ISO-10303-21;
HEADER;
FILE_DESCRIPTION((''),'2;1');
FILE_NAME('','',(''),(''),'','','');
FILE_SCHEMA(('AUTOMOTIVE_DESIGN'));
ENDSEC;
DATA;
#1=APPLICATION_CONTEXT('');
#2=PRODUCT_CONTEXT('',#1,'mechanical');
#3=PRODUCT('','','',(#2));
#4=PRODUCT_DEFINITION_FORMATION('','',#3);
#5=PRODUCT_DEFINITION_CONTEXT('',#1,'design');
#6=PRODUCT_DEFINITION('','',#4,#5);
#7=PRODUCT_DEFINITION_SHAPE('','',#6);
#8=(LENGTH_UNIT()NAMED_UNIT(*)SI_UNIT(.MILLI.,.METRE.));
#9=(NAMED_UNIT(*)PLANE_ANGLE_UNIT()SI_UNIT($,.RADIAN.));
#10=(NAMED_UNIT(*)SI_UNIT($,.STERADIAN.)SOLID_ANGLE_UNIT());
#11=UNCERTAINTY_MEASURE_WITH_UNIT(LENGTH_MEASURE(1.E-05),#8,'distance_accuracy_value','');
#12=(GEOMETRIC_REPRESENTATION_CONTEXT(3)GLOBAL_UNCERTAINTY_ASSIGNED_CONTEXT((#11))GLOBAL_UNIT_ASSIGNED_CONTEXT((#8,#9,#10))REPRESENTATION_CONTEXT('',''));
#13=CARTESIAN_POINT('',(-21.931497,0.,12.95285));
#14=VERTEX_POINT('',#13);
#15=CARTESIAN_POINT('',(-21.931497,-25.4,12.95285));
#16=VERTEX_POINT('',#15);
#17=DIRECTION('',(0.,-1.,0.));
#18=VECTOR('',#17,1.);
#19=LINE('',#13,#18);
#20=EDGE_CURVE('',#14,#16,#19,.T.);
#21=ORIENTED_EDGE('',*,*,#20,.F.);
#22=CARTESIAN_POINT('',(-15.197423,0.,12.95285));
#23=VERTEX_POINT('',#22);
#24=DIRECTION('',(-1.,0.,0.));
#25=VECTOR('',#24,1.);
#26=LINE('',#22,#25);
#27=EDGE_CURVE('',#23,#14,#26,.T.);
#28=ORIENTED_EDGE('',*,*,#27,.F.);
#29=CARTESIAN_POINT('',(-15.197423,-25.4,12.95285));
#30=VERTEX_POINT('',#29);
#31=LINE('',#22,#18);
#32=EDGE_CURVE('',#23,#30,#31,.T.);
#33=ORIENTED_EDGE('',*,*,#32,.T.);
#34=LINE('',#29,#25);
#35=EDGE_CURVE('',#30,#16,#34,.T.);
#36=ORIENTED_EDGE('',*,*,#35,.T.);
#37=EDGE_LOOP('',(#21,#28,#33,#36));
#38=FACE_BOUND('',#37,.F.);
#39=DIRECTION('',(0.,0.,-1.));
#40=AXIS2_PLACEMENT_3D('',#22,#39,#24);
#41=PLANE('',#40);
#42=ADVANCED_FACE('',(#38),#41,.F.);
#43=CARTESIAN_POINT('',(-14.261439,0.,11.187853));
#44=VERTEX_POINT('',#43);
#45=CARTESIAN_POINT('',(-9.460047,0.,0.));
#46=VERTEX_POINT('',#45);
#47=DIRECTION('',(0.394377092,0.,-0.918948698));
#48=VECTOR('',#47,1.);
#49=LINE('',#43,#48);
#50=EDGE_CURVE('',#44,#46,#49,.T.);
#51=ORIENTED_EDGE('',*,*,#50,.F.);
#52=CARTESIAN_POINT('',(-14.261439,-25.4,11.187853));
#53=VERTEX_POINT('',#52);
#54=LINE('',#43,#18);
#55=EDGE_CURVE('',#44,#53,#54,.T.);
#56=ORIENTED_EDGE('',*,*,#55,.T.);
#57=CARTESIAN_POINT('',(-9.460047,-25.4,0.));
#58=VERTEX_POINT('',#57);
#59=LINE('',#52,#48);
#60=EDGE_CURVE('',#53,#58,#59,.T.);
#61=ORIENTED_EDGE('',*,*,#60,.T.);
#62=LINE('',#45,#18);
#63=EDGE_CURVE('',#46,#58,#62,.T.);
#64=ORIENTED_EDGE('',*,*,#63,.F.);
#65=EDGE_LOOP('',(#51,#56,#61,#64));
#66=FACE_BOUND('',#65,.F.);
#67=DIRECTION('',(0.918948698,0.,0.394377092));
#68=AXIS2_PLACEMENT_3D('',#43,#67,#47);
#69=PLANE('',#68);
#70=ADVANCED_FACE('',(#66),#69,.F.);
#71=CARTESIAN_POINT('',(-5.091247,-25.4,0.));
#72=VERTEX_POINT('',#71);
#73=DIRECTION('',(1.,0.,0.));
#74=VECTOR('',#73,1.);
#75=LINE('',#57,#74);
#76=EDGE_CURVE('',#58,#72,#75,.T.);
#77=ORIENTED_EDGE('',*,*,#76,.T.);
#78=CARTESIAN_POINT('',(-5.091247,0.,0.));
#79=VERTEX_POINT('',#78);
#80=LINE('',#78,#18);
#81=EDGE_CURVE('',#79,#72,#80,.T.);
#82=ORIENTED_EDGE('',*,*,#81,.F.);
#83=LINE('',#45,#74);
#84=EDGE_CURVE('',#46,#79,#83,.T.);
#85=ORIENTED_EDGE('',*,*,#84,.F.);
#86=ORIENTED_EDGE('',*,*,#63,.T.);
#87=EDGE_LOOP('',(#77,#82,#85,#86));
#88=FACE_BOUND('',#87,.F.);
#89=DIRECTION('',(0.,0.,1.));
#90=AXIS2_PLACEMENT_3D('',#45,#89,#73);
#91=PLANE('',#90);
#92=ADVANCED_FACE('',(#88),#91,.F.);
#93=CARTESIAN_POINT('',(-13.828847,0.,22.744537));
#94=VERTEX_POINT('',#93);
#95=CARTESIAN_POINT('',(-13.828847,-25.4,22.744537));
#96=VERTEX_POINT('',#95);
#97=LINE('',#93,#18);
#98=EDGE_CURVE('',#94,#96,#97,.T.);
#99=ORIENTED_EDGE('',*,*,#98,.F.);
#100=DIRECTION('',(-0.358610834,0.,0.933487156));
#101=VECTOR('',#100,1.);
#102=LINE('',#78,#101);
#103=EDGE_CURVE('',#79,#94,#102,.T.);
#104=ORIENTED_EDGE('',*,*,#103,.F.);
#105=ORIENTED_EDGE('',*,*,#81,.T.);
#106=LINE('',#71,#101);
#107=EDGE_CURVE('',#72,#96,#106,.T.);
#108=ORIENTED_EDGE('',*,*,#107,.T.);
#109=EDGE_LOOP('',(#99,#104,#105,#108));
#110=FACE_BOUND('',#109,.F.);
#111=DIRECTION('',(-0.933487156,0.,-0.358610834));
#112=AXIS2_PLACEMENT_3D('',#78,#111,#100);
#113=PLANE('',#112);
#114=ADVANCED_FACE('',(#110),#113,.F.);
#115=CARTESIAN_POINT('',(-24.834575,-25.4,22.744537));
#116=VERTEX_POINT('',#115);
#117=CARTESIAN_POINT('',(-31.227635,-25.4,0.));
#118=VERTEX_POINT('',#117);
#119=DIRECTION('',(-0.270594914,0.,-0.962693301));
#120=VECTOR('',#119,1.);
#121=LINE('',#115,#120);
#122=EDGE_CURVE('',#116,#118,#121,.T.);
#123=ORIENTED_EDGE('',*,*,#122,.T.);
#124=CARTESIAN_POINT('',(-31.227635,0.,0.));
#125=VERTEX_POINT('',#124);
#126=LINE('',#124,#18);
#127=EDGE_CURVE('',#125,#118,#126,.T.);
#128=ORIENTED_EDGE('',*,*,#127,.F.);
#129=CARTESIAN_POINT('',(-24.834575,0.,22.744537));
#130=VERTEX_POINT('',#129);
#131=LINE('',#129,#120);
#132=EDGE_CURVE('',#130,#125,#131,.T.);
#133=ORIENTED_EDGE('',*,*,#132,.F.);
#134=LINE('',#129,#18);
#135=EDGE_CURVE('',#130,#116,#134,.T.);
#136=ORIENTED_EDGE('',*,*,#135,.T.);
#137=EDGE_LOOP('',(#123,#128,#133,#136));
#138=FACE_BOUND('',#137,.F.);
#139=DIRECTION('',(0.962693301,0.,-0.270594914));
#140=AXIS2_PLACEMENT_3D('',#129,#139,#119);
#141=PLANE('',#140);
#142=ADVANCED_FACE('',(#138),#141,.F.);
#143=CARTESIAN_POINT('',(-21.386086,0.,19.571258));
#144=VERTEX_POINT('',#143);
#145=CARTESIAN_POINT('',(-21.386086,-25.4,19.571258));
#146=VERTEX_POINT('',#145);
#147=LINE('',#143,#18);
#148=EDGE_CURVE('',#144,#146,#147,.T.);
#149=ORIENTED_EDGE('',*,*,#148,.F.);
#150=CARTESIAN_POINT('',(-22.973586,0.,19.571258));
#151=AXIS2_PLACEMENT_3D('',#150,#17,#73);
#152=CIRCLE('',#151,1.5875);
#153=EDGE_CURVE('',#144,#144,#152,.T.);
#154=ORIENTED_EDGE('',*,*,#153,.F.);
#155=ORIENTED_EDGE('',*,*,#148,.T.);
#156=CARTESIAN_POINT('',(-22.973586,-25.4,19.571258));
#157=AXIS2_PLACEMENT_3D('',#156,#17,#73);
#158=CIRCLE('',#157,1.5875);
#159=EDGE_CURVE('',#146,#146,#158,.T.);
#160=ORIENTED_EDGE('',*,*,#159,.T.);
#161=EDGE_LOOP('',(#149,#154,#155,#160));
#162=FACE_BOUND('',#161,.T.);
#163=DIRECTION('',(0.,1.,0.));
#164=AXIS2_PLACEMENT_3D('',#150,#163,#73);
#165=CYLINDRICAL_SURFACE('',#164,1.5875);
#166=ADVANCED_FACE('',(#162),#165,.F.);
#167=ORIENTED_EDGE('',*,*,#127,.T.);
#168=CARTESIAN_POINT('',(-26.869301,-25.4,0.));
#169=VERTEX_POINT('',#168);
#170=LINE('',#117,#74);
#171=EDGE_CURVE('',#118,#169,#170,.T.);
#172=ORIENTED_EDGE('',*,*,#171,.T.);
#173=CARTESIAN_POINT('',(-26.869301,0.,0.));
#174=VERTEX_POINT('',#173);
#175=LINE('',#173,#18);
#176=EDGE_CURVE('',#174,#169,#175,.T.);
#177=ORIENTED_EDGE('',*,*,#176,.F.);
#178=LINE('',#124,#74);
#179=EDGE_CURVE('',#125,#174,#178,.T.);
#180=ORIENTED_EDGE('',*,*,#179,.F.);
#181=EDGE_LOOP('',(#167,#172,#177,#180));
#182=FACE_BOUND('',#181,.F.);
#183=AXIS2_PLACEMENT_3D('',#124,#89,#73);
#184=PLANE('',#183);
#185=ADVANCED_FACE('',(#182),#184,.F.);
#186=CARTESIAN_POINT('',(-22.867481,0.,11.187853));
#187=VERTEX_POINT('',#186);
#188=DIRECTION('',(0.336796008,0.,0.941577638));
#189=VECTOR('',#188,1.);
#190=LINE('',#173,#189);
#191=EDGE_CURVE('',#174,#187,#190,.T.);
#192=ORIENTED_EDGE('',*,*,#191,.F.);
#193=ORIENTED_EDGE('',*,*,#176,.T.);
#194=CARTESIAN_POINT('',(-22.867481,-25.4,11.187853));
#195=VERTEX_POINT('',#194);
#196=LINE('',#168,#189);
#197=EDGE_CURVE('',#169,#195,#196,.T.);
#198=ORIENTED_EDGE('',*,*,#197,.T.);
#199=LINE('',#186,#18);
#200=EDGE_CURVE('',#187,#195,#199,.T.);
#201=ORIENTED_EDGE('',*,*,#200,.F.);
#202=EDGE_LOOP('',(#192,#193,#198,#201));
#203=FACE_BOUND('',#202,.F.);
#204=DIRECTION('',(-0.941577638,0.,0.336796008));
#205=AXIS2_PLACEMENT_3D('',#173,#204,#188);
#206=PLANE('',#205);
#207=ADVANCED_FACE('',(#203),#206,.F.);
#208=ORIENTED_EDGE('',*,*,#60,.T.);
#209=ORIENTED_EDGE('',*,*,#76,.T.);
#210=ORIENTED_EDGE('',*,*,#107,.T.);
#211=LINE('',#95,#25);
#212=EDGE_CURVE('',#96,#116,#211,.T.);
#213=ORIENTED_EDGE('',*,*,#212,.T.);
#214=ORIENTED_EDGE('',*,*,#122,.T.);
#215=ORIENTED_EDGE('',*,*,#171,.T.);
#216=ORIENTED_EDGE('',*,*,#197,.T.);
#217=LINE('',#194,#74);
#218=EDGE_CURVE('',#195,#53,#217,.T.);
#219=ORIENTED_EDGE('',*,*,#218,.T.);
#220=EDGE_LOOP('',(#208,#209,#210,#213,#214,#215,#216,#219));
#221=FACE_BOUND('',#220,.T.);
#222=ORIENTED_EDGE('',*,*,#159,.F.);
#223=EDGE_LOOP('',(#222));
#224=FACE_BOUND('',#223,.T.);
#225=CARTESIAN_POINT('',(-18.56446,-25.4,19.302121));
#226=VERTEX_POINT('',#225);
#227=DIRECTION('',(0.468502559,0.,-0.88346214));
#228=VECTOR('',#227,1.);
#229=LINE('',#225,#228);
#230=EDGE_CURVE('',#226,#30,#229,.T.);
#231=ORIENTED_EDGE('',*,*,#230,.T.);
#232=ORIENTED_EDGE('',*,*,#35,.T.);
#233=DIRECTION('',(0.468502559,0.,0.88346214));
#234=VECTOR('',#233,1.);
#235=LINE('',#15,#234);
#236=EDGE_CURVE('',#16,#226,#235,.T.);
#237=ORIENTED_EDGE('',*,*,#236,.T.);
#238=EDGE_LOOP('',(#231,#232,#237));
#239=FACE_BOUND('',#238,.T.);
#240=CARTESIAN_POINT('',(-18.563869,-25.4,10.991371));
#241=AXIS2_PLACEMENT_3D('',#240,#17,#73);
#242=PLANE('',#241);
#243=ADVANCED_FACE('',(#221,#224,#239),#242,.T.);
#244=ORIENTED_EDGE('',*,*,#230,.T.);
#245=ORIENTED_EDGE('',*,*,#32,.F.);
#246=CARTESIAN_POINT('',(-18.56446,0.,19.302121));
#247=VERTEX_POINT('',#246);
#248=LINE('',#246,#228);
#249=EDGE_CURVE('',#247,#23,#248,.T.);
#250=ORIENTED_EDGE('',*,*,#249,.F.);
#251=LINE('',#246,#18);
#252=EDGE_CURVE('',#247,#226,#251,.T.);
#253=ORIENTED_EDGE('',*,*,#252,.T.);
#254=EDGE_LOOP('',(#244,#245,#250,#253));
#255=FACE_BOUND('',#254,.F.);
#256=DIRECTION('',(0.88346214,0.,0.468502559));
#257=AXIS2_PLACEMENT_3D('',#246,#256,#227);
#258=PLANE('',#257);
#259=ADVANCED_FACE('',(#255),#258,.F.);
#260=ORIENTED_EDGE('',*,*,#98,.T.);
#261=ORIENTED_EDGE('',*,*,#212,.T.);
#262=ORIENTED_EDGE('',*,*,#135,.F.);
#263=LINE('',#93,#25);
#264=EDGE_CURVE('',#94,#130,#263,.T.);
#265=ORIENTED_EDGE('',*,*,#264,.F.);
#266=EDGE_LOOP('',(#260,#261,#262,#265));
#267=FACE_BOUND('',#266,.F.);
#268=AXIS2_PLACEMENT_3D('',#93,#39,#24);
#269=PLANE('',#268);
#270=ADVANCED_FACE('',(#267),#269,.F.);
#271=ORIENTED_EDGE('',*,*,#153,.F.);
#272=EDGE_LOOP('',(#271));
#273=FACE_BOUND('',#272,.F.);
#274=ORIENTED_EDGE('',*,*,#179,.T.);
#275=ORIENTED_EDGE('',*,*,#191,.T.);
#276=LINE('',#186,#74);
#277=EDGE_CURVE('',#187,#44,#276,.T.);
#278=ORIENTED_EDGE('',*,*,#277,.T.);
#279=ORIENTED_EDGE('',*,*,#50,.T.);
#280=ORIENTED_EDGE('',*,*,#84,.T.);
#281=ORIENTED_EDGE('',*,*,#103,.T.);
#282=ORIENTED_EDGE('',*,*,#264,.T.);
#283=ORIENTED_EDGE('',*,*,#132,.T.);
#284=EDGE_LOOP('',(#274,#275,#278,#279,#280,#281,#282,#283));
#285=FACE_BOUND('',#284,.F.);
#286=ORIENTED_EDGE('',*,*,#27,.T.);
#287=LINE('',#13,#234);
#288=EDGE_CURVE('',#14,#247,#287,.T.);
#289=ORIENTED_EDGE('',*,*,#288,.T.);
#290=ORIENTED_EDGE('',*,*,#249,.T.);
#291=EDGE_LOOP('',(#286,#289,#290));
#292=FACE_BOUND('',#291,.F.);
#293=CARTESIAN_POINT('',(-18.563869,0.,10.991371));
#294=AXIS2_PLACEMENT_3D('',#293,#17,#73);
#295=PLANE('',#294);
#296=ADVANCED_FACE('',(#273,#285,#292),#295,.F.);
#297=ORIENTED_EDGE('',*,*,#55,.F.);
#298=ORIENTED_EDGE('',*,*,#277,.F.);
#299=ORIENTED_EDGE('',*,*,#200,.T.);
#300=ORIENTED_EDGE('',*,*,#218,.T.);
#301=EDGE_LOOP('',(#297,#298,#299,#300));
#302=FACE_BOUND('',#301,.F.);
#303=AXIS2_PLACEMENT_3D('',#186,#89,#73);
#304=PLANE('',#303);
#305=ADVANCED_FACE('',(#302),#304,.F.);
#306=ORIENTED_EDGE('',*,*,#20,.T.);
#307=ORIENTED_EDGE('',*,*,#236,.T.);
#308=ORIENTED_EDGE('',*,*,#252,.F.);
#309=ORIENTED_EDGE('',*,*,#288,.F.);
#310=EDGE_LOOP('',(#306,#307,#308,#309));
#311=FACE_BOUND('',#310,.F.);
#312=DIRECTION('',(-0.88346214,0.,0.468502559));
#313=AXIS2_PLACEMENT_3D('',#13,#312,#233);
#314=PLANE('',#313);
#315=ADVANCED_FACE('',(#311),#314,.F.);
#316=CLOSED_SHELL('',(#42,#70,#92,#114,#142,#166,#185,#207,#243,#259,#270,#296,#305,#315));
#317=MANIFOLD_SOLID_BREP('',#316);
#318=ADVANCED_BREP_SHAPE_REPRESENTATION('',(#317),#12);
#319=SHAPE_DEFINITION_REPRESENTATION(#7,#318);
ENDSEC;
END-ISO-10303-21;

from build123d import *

# Parameters (mm, degrees)
F0_R     = 1.5875
F1_DEPTH = 25.4
F2_DEPTH = 25.4


with BuildPart() as f1:
    # F0 (on Front) → F1 (new body)
    with BuildSketch(Plane.XZ):
        Polygon((-5.091247, 0), (-13.828847, 22.744537), (-24.834575, 22.744537), (-31.227635, 0), (-26.869301, 0), (-22.867481, 11.187853), (-21.931497, 12.95285), (-18.56446, 19.302121), (-15.197423, 12.95285), (-14.261439, 11.187853), (-9.460047, 0), align=None)
        with Locations((-22.973586, 19.571258)):
            Circle(F0_R, mode=Mode.SUBTRACT)
        Polygon((-22.867481, 11.187853), (-14.261439, 11.187853), (-15.197423, 12.95285), (-21.931497, 12.95285), align=None)
    extrude(amount=F1_DEPTH)

    # F0 (on Front) → F2 (cut)
    with BuildSketch(Plane.XZ):
        Polygon((-5.091247, 0), (-13.828847, 22.744537), (-24.834575, 22.744537), (-31.227635, 0), (-26.869301, 0), (-22.867481, 11.187853), (-21.931497, 12.95285), (-18.56446, 19.302121), (-15.197423, 12.95285), (-14.261439, 11.187853), (-9.460047, 0), align=None)
        with Locations((-22.973586, 19.571258)):
            Circle(F0_R, mode=Mode.SUBTRACT)
        Polygon((-22.867481, 11.187853), (-14.261439, 11.187853), (-15.197423, 12.95285), (-21.931497, 12.95285), align=None)
        Polygon((-21.931497, 12.95285), (-15.197423, 12.95285), (-18.56446, 19.302121), align=None)
    extrude(amount=-F2_DEPTH, mode=Mode.SUBTRACT)


solid = f1.part
